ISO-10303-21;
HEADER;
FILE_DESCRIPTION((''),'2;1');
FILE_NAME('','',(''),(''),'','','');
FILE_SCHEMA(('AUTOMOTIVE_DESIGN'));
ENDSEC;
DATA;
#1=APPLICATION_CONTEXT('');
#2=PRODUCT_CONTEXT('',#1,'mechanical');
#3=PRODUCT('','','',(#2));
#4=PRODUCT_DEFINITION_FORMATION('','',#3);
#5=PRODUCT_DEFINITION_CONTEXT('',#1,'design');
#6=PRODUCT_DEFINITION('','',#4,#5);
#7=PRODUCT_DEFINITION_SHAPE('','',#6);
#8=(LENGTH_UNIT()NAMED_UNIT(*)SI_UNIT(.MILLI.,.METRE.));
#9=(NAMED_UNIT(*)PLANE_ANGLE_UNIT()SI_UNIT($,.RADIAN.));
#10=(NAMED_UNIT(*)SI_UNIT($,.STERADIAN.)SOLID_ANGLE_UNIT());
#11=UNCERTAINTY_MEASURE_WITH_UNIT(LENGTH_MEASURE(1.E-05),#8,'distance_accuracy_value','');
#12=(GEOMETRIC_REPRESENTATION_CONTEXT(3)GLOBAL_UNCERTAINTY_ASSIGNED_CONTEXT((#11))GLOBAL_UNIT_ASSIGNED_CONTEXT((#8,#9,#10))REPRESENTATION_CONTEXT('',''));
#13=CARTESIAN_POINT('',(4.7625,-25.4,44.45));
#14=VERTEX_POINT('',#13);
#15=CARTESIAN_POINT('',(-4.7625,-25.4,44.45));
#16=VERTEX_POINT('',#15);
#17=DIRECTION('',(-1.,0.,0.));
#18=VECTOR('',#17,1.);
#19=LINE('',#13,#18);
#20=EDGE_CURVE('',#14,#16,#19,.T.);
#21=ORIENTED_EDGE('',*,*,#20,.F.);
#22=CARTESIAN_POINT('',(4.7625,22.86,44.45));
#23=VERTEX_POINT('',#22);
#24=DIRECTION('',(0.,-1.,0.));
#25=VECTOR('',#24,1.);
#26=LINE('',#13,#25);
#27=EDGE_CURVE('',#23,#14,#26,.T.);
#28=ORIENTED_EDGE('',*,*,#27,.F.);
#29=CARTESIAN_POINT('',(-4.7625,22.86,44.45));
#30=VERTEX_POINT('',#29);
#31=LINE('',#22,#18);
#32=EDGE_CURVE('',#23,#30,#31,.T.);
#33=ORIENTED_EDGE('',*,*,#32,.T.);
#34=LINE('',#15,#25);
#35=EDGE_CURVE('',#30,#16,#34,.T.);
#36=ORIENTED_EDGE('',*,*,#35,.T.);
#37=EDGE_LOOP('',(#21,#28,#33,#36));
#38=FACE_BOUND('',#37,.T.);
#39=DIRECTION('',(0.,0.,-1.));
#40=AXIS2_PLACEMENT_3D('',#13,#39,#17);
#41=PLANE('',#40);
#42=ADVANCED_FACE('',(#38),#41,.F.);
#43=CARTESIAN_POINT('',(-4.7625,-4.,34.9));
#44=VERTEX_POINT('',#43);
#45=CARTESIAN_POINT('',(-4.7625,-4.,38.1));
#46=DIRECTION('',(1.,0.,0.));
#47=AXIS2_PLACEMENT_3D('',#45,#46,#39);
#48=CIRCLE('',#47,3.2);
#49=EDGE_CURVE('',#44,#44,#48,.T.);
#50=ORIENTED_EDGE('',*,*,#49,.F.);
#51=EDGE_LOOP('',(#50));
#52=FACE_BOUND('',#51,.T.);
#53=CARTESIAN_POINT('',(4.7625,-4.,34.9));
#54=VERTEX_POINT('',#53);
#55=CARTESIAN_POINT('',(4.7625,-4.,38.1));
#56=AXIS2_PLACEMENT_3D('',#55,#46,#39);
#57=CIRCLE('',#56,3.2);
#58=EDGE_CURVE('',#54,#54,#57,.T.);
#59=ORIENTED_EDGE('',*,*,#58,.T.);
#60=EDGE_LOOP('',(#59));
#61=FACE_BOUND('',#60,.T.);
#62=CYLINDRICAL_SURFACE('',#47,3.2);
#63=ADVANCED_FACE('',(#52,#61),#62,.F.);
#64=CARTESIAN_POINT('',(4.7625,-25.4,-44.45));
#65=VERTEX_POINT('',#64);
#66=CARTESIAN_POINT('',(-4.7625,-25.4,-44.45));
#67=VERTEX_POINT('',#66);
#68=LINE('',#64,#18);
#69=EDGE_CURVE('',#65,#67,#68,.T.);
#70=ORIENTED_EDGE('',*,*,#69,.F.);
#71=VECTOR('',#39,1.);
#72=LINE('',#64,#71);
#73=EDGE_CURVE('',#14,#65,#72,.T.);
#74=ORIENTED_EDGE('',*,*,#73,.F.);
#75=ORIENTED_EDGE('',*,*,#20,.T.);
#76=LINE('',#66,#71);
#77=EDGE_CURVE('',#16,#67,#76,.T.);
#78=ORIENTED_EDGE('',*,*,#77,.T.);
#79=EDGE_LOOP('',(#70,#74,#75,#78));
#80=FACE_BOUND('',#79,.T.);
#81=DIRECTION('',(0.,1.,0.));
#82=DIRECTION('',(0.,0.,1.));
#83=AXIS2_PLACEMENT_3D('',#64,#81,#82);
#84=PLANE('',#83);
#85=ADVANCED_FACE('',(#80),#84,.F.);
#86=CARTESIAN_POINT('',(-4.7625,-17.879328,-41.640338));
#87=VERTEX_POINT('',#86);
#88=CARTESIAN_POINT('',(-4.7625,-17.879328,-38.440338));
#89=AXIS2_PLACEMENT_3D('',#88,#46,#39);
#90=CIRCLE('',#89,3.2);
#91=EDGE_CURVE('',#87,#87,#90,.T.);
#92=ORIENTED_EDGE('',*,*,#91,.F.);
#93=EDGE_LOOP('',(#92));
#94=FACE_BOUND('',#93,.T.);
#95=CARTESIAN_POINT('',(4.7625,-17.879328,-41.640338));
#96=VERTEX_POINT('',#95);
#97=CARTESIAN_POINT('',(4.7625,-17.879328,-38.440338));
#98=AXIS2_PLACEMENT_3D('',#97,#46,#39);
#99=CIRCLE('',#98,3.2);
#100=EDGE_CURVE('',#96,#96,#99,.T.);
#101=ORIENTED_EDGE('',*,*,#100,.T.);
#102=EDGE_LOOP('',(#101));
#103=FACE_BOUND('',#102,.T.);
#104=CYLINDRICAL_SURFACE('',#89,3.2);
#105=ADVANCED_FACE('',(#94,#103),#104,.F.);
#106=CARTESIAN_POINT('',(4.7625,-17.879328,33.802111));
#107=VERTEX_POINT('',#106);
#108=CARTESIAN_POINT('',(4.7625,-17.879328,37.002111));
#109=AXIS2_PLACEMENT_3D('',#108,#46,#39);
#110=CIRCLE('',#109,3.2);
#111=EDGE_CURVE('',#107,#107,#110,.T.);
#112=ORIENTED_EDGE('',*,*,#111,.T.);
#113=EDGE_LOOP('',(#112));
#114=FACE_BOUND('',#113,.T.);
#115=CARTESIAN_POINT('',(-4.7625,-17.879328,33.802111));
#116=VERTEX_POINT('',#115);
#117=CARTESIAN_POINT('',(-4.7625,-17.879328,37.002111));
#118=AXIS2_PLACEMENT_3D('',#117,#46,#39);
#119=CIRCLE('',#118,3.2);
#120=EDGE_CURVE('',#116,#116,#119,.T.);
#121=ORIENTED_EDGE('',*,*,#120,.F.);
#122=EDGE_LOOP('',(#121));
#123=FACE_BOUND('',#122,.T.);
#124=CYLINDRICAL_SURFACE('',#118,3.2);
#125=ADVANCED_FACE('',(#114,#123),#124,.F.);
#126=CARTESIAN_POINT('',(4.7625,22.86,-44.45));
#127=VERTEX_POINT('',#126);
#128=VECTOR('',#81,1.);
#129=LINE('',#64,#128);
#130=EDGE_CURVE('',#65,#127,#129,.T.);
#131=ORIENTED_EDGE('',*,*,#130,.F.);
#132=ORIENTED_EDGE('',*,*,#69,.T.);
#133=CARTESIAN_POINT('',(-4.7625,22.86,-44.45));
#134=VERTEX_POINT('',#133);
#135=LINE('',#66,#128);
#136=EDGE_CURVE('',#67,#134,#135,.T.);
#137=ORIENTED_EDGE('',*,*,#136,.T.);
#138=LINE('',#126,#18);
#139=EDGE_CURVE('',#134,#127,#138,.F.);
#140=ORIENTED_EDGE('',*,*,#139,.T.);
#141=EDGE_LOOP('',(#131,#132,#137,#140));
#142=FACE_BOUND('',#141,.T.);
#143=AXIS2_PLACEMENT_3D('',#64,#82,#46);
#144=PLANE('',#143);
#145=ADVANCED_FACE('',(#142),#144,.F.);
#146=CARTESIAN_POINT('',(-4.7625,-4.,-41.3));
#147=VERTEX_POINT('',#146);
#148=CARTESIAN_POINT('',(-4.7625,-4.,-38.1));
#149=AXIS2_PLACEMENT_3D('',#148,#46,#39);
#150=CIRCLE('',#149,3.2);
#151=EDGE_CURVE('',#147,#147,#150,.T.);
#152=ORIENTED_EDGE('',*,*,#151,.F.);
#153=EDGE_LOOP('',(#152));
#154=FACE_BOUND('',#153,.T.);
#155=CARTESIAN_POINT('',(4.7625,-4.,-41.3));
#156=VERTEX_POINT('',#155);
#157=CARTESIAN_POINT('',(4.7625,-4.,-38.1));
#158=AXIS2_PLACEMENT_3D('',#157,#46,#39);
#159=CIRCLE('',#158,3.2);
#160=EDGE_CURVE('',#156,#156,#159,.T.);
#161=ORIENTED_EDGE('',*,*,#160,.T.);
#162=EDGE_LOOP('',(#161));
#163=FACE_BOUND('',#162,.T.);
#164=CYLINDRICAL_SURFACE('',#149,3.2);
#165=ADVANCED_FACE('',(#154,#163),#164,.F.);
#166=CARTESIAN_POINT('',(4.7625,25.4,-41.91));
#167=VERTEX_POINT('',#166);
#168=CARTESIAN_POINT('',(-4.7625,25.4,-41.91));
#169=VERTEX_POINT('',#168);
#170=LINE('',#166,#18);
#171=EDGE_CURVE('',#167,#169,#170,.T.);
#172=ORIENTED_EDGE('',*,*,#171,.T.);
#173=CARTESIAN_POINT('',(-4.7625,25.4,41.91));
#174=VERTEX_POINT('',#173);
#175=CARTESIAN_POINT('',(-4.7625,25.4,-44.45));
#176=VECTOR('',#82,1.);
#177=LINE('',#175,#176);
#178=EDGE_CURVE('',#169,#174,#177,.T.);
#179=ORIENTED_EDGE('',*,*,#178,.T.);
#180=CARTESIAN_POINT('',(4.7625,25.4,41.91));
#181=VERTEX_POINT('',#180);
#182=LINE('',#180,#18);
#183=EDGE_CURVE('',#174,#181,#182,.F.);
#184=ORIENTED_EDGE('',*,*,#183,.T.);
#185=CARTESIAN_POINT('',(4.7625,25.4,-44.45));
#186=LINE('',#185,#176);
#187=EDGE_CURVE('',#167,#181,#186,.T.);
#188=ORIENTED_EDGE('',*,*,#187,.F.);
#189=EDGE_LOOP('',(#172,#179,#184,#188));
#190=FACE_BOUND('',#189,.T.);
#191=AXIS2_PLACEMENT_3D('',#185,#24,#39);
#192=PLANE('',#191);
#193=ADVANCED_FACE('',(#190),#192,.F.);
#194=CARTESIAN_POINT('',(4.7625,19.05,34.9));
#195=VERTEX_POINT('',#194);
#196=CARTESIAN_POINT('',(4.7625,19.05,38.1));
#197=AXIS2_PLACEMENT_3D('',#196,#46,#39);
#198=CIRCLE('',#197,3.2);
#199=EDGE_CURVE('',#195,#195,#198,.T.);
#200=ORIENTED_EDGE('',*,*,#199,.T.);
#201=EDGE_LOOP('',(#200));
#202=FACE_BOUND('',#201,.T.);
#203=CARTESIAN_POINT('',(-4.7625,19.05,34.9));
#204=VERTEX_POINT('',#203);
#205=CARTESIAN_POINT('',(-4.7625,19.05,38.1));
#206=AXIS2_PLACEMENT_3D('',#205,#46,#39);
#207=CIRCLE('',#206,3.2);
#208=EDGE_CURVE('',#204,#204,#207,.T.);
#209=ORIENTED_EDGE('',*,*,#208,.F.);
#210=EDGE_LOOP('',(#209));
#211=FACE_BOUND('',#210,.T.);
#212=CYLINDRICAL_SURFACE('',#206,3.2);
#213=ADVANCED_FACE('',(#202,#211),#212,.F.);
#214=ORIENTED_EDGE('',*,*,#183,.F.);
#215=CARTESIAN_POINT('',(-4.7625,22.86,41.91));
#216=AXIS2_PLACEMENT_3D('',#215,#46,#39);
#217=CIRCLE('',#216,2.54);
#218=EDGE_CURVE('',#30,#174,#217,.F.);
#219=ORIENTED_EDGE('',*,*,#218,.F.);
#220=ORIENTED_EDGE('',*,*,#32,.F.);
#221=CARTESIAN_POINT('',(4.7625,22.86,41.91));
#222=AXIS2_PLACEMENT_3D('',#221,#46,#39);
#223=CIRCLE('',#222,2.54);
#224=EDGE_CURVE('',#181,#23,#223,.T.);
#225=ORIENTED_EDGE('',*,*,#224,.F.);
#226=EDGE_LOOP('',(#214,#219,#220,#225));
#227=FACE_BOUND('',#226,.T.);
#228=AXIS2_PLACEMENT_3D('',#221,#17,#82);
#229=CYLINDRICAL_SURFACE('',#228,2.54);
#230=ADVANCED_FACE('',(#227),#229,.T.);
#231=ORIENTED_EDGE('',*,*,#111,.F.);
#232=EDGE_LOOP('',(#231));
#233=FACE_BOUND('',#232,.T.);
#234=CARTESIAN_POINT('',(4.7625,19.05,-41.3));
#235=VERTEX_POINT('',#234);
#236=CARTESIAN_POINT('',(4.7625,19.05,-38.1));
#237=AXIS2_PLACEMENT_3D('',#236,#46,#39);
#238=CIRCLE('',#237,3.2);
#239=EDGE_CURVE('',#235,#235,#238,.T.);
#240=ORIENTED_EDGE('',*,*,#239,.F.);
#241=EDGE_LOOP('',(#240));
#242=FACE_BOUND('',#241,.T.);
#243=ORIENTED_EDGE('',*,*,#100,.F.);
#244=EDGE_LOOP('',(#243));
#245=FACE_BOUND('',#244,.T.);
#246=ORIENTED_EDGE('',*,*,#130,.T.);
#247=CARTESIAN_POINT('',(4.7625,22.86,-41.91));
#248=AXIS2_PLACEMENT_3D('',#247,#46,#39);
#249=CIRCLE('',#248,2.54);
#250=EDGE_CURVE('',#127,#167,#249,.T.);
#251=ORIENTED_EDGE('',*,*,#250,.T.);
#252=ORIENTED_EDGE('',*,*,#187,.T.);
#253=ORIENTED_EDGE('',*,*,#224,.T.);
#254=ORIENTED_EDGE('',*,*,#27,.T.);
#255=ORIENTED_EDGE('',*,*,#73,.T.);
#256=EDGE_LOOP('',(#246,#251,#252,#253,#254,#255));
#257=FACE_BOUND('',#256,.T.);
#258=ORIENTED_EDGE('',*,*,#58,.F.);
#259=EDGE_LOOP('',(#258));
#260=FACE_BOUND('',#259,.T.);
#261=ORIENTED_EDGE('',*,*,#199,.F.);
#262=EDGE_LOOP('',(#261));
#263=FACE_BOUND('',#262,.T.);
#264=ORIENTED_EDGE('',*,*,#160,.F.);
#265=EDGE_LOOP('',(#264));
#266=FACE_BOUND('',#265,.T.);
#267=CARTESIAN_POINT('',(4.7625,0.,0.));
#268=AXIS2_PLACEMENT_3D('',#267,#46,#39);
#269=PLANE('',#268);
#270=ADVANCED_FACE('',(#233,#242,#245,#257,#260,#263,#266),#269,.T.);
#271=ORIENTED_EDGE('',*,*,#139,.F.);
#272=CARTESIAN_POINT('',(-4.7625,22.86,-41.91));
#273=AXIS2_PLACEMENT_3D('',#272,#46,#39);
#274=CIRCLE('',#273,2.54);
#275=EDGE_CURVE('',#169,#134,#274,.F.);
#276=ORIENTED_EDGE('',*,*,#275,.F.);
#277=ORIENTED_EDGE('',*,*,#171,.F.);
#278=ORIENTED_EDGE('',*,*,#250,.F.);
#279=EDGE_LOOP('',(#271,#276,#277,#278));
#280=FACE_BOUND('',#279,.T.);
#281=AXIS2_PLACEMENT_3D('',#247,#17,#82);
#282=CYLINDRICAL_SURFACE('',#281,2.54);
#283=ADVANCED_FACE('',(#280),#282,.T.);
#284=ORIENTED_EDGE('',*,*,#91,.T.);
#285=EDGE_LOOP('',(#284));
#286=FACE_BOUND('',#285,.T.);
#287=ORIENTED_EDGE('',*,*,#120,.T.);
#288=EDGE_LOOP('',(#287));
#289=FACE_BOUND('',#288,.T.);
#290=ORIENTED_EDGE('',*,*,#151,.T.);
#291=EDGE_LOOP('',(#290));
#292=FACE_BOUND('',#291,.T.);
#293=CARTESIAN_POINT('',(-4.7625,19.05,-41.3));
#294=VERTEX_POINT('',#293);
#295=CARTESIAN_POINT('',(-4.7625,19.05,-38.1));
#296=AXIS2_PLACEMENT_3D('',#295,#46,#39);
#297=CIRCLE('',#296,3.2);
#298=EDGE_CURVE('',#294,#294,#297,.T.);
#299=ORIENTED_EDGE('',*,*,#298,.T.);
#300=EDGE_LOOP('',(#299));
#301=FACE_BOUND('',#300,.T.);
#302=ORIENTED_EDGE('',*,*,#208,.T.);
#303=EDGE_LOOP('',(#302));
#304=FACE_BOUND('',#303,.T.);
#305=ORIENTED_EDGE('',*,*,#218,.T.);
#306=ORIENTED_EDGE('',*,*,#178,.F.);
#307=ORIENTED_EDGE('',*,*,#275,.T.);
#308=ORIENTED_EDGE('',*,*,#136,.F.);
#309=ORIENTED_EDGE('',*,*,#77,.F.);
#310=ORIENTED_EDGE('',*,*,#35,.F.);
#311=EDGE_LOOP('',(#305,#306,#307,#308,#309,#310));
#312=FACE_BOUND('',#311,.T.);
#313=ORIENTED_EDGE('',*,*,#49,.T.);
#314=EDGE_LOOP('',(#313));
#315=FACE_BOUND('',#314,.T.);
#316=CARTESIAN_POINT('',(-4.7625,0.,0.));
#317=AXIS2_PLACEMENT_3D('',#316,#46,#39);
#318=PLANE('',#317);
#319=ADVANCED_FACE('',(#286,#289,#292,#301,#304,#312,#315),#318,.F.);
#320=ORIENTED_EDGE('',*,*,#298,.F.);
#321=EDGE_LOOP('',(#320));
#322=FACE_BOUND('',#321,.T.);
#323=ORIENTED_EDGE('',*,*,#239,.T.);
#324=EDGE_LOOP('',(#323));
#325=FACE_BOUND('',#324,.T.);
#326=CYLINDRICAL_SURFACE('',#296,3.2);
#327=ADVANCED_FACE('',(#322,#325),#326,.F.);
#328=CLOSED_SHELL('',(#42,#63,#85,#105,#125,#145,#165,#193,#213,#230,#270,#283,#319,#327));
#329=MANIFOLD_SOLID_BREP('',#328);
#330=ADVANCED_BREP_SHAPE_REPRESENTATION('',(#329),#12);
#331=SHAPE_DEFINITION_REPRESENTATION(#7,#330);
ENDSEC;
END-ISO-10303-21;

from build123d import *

# Parameters (mm, degrees)
SKETCH1_W           = 88.9
SKETCH1_H           = 50.8
BOSS_EXTRUDE1_DEPTH = 4.7625
SKETCH2_R           = 3.2
CUT_EXTRUDE1_DEPTH  = 10.525
FILLET3_R           = 2.54
FILLET4_R           = 2.54
SKETCH4_R           = 3.2
CUT_EXTRUDE5_DEPTH  = 10.525


with BuildPart() as part:
    # Sketch1 → Boss-Extrude1 (new body, symmetric)
    with BuildSketch(Plane(origin=(0, 0, 0), x_dir=(0, 0, -1), z_dir=(1, 0, 0))):
        Rectangle(SKETCH1_W, SKETCH1_H)
    extrude(amount=BOSS_EXTRUDE1_DEPTH, both=True)

    # Sketch2 → Cut-Extrude1 (cut, through all)
    with BuildSketch(Plane(origin=(4.7625, 0, 0), x_dir=(0, 0, -1), z_dir=(1, 0, 0))):
        with Locations((-38.1, 19.05)):
            Circle(SKETCH2_R)
        with Locations((38.1, 19.05)):
            Circle(SKETCH2_R)
        with Locations((-38.1, -4)):
            Circle(SKETCH2_R)
        with Locations((38.1, -4)):
            Circle(SKETCH2_R)
    extrude(amount=-CUT_EXTRUDE1_DEPTH, mode=Mode.SUBTRACT)

    # Fillet3
    fillet3_edges = [part.edges().sort_by_distance(p)[0] for p in [
        (0, 25.4, 44.45),
    ]]
    fillet(fillet3_edges, radius=FILLET3_R)

    # Fillet4
    fillet4_edges = [part.edges().sort_by_distance(p)[0] for p in [
        (0, 25.4, -44.45),
    ]]
    fillet(fillet4_edges, radius=FILLET4_R)

    # Sketch4 → Cut-Extrude5 (cut, through all)
    with BuildSketch(Plane(origin=(4.7625, 0, 0), x_dir=(0, 0, -1), z_dir=(1, 0, 0))):
        with Locations((-37.002111381, -17.879327913)):
            Circle(SKETCH4_R)
        with Locations((38.440338437, -17.879327913)):
            Circle(SKETCH4_R)
    extrude(amount=-CUT_EXTRUDE5_DEPTH, mode=Mode.SUBTRACT)


solid = part.part
